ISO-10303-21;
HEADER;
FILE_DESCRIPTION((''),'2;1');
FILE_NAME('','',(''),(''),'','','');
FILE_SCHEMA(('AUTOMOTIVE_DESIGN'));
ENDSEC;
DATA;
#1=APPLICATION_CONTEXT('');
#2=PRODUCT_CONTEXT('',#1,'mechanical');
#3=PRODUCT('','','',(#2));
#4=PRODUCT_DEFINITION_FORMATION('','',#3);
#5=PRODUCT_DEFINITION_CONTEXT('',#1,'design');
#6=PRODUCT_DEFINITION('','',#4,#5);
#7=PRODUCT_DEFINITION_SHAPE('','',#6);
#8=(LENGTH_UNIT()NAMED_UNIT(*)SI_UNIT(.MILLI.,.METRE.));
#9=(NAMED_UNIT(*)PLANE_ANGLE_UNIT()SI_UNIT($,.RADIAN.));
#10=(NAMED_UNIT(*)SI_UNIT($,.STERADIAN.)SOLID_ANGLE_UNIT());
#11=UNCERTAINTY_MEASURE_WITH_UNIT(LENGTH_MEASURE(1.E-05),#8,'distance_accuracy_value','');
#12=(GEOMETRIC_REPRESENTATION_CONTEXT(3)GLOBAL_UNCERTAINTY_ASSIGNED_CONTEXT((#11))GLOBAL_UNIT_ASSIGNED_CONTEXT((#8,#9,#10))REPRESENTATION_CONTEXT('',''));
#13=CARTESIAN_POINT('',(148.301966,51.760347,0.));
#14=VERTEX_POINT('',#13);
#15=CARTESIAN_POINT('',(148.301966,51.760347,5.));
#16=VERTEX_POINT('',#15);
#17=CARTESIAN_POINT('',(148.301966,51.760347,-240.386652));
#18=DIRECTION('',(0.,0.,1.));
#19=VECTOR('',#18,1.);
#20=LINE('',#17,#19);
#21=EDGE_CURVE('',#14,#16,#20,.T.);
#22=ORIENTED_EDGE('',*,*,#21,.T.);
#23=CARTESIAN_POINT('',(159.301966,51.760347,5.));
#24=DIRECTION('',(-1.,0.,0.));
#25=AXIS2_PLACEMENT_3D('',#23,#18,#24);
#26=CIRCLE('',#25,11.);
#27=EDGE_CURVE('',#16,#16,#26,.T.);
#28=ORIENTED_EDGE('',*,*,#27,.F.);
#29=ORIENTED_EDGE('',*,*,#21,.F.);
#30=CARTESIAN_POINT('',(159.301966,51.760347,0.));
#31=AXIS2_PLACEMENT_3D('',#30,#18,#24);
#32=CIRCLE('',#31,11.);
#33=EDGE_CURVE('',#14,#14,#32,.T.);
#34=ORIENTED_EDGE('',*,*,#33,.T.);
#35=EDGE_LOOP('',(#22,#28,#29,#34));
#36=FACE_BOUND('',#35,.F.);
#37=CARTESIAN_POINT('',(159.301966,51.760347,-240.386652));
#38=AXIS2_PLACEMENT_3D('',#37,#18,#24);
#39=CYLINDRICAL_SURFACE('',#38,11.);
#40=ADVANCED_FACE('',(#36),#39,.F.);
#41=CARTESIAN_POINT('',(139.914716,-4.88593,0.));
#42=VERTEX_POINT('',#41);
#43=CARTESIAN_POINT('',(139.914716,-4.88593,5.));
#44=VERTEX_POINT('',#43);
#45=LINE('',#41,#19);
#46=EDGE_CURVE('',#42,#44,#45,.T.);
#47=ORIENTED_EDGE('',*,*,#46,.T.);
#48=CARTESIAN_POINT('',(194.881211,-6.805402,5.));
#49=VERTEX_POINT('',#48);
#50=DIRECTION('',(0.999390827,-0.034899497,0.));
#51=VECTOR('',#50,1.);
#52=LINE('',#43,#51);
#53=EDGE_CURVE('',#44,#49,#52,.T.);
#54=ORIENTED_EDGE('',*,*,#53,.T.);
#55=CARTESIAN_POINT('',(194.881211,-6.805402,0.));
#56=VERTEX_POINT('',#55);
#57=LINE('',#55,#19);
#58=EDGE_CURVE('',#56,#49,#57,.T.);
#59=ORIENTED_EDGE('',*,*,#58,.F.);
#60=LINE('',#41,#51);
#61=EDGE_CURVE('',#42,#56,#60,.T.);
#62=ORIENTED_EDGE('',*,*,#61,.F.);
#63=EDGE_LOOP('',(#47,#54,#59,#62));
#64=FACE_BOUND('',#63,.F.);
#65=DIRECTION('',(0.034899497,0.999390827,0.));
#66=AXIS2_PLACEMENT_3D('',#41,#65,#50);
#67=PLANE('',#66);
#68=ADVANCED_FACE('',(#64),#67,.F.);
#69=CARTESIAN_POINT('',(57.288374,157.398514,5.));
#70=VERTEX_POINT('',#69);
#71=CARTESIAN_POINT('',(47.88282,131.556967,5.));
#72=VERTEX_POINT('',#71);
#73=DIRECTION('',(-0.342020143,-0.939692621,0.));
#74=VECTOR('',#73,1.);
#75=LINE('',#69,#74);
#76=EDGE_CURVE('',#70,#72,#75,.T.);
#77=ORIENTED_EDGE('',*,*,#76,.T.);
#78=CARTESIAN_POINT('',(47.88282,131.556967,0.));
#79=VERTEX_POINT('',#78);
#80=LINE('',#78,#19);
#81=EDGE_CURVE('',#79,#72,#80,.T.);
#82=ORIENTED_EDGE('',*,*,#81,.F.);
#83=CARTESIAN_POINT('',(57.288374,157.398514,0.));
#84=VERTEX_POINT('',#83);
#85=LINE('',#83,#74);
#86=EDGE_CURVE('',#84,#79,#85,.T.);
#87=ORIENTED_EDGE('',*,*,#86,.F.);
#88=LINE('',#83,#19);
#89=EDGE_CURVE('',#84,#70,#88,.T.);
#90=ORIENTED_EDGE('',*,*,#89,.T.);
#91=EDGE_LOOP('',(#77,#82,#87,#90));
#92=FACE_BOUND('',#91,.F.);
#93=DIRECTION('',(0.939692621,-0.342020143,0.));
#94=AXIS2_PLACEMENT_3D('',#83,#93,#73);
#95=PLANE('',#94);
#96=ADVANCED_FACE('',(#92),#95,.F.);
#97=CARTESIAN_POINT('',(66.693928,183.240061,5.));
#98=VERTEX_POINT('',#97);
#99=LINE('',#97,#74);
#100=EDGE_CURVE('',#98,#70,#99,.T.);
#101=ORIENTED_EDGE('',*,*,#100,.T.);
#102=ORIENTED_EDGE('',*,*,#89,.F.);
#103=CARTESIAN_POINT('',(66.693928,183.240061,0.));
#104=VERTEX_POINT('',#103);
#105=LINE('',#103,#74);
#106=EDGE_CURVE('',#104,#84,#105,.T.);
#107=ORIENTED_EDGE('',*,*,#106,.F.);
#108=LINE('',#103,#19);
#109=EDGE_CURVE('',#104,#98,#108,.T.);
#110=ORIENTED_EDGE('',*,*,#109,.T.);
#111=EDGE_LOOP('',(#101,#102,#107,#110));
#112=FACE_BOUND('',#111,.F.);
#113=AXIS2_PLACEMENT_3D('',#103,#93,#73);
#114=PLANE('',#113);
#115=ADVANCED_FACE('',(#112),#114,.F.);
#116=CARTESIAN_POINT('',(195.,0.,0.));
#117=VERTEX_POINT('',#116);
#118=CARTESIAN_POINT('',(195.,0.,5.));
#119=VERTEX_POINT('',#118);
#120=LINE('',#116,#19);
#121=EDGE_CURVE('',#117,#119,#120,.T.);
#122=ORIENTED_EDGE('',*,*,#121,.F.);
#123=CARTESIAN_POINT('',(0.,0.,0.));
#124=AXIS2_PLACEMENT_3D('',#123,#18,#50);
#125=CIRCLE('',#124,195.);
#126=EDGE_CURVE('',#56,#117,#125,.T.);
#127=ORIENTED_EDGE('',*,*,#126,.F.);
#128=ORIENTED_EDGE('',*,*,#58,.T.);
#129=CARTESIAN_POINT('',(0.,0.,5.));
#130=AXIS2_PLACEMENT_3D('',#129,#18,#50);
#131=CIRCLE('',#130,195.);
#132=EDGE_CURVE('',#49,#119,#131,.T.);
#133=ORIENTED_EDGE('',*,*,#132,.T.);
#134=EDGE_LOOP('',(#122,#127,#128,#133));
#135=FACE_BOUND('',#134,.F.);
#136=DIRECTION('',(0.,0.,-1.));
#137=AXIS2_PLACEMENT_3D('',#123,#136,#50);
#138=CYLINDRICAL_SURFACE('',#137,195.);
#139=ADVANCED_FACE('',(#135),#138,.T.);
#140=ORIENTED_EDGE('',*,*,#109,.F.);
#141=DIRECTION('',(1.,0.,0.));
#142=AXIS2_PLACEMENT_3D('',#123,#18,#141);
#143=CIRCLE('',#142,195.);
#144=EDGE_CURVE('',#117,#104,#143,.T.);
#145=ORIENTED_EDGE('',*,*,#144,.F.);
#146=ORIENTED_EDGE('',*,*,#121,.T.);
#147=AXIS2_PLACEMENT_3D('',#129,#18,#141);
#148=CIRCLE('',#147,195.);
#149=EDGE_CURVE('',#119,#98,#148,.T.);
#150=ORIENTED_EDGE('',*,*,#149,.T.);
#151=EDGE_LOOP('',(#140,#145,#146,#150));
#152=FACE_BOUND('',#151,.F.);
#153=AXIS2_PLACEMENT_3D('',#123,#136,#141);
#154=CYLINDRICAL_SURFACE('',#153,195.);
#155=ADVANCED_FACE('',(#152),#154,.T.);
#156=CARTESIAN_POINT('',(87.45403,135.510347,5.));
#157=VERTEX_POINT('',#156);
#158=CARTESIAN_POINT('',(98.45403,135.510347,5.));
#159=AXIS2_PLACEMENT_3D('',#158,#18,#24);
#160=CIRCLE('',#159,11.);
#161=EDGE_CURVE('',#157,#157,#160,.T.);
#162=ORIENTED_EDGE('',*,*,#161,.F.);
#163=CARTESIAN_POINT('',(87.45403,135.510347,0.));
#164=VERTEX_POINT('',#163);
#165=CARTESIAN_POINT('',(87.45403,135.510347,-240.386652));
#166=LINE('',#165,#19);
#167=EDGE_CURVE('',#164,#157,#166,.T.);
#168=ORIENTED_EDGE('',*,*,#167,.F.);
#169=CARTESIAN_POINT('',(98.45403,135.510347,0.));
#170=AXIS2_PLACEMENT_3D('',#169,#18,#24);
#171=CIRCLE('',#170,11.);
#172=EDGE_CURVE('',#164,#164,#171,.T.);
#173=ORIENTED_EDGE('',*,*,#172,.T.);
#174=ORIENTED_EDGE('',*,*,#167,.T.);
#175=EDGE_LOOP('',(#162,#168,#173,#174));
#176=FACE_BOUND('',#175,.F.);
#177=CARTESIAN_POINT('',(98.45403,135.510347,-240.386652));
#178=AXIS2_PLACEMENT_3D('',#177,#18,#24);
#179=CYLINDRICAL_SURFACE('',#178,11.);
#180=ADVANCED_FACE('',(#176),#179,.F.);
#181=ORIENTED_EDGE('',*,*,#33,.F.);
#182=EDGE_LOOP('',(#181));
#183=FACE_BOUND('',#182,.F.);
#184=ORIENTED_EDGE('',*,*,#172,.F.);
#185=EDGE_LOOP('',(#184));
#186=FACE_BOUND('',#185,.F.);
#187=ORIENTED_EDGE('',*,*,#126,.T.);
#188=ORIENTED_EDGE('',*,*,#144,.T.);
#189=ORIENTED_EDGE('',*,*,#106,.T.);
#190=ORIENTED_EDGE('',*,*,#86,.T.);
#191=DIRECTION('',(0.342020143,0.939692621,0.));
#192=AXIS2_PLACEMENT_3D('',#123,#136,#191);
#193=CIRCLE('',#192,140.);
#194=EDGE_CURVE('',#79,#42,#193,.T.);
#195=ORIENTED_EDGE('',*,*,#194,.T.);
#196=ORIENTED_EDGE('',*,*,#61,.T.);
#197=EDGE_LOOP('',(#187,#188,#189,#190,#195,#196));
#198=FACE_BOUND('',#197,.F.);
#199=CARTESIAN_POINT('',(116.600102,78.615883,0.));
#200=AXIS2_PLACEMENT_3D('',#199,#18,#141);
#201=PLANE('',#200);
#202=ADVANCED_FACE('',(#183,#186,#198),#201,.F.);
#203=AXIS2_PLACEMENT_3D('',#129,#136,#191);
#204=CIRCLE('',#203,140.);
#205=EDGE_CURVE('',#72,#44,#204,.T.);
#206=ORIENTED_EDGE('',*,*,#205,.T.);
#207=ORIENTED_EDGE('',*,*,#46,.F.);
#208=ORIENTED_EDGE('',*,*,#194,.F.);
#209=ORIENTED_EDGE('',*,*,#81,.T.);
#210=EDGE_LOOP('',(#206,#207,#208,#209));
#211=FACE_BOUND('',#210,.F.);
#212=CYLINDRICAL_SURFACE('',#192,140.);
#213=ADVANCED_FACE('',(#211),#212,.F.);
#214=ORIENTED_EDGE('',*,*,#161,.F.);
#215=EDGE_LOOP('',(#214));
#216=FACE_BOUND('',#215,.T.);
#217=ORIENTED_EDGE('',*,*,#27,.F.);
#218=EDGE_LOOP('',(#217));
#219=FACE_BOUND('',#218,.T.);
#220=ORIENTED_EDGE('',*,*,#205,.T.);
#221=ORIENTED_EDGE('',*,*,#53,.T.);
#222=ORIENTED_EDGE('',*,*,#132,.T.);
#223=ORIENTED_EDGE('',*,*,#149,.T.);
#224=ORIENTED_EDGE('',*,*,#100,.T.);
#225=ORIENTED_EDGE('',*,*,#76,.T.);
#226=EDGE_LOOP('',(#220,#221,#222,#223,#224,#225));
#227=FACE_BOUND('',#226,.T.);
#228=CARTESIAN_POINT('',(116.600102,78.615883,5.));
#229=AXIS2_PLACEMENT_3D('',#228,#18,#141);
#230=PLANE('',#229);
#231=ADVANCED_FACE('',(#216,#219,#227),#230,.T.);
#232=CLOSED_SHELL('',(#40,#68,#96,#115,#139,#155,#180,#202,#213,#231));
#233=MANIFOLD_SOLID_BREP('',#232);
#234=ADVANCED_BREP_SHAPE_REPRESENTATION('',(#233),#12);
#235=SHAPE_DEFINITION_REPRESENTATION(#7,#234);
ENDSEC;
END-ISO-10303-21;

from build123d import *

# Parameters (mm, degrees)
F1_DEPTH = 5
F2_D     = 22


with BuildPart() as f1:
    # F0 (on Top) → F1 (new body)
    with BuildSketch(Plane.XY):
        with BuildLine():
            ThreePointArc((167.5, 0), (137.2079674184, 96.0740530888), (57.288374007, 157.3985139816))
            Line((57.288374007, 157.3985139816), (47.8828200656, 131.55696691))
            ThreePointArc((47.8828200656, 131.55696691), (114.6812862005, 80.3007010891), (140, 0))
            ThreePointArc((140, 0), (139.9786773219, -2.4433369012), (139.9147157827, -4.8859295383))
            Line((139.9147157827, -4.8859295384), (167.3979635257, -5.8456656977))
            ThreePointArc((167.3979635257, -5.8456656977), (167.4744889387, -2.9232780782), (167.5, 0))
        make_face()
        with BuildLine():
            ThreePointArc((194.8812112687, -6.805401857), (194.9703005555, -3.4032192553), (195, 0))
            ThreePointArc((195, 0), (159.7346486364, 111.8474050885), (66.6939279485, 183.2400610533))
            Line((66.6939279485, 183.2400610533), (57.288374007, 157.3985139816))
            ThreePointArc((57.288374007, 157.3985139816), (137.2079674184, 96.0740530888), (167.5, 0))
            ThreePointArc((167.5, 0), (167.4744889387, -2.9232780782), (167.3979635257, -5.8456656977))
            Line((167.3979635257, -5.8456656977), (194.8812112687, -6.805401857))
        make_face()
    extrude(amount=F1_DEPTH)

    # F2 (through all)
    with Locations(Plane(origin=(0, 0, 0), x_dir=(1, 0, 0), z_dir=(0, 0, -1))):
        with Locations((98.454029759, -135.5103465578), (159.3019664794, -51.7603465578), (159.3019664794, 51.7603465578)):
            Hole(F2_D / 2)


solid = f1.part
